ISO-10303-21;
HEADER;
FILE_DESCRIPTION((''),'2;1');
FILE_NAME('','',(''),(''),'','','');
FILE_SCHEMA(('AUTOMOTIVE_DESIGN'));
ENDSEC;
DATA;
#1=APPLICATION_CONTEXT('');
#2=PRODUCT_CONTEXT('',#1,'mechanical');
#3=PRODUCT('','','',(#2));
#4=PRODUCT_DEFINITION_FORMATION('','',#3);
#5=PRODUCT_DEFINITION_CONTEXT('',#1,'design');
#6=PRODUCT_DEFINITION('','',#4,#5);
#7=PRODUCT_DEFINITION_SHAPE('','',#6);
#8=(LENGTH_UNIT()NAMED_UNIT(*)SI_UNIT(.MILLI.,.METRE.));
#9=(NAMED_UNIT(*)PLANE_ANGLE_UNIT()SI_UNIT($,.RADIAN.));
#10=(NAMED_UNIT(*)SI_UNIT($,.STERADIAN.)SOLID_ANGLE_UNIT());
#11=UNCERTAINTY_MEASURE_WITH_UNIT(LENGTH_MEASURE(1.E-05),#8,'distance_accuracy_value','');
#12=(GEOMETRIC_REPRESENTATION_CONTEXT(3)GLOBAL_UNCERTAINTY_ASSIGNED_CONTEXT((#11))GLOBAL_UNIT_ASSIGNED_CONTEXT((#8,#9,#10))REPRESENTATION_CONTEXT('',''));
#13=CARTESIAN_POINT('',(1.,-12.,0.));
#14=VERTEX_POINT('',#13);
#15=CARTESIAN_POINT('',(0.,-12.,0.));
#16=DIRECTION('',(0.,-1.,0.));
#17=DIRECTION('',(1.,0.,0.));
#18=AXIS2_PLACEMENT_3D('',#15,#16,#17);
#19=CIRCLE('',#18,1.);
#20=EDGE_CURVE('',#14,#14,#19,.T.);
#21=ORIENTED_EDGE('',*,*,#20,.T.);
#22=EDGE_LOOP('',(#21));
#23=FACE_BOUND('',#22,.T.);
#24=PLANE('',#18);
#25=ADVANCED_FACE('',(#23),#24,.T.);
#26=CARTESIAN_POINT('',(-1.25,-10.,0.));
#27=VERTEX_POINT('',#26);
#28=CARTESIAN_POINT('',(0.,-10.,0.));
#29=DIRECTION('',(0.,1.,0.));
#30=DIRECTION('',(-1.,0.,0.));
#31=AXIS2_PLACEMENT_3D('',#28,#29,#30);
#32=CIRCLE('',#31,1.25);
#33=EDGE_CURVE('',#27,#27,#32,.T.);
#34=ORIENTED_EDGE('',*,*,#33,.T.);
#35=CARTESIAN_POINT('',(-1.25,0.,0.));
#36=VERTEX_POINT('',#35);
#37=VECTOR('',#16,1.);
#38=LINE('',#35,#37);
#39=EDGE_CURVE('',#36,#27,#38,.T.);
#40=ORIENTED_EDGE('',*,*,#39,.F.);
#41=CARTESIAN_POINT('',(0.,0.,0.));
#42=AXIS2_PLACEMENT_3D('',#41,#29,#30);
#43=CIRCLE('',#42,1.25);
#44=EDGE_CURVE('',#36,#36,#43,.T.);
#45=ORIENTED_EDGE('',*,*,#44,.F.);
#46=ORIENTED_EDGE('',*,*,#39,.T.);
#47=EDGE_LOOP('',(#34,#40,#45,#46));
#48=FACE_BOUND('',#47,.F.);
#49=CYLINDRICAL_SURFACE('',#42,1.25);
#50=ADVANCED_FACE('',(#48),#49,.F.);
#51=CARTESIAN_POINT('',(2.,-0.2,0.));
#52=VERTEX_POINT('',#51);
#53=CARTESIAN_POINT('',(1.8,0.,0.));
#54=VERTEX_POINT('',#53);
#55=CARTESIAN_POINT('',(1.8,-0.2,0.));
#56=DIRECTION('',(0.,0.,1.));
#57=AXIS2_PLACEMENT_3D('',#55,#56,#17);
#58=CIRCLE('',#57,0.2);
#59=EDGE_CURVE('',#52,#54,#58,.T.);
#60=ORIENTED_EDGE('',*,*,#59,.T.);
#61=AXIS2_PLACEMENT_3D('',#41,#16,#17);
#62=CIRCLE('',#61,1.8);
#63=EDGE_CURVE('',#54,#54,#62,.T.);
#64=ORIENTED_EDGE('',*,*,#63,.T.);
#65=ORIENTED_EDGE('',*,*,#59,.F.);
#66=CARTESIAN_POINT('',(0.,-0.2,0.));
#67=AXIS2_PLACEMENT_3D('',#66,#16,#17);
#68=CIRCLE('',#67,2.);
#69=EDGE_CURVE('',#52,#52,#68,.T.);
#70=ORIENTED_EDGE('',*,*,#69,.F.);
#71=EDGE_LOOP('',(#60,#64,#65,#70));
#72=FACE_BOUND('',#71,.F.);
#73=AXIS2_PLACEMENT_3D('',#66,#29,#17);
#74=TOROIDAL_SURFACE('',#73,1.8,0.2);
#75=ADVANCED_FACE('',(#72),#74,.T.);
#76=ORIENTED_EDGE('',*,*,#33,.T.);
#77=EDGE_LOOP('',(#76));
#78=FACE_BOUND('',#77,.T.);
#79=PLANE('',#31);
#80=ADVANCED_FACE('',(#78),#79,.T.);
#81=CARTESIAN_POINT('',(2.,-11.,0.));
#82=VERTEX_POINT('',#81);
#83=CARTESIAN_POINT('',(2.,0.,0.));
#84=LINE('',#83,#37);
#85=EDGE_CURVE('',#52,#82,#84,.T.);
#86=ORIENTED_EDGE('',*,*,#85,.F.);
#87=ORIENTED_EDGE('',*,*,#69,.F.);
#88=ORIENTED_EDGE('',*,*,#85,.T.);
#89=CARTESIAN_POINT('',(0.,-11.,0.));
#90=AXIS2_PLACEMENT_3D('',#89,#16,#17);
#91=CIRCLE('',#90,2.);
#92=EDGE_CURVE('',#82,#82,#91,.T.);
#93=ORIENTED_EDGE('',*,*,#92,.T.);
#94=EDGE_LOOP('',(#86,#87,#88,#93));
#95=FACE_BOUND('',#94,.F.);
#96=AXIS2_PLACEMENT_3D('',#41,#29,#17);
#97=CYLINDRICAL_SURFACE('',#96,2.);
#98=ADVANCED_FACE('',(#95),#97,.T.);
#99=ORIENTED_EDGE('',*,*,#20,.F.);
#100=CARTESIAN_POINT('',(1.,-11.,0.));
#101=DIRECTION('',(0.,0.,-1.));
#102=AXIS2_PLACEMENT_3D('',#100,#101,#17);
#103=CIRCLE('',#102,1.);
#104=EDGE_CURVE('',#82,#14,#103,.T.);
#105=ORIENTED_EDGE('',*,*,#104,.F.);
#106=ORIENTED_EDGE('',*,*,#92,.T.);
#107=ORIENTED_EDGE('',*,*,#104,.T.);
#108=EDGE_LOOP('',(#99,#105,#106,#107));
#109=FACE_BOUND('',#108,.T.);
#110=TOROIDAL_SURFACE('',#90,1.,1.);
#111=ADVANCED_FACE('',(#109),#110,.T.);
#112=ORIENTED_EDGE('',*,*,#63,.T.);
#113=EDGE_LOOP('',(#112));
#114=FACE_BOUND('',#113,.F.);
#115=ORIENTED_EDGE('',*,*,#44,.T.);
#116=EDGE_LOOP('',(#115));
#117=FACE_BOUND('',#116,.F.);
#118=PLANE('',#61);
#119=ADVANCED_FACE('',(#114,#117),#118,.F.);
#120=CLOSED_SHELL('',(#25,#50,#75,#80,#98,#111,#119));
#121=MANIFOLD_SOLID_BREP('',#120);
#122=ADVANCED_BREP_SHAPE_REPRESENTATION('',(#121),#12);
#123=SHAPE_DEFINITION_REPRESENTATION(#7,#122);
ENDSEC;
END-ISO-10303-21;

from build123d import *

# Parameters (mm, degrees)
F1_R     = 2
F2_DEPTH = 12
F3_R     = 1
F4_R     = 0.2
F5_R     = 1.25
F6_DEPTH = 10


with BuildPart() as f2:
    # F1 (on Front) → F2 (new body)
    with BuildSketch(Plane.XZ):
        Circle(F1_R)
    extrude(amount=F2_DEPTH)

    # F3
    f3_edges = [f2.edges().sort_by_distance(p)[0] for p in [
        (-2, -12, 0),
    ]]
    fillet(f3_edges, radius=F3_R)

    # F4
    f4_edges = [f2.edges().sort_by_distance(p)[0] for p in [
        (-2, 0, 0),
    ]]
    fillet(f4_edges, radius=F4_R)

    # F5 (on face) → F6 (cut)
    with BuildSketch(Plane(origin=(0, 0, 0), x_dir=(-1, 0, 0), z_dir=(0, 1, 0))):
        Circle(F5_R)
    extrude(amount=-F6_DEPTH, mode=Mode.SUBTRACT)


solid = f2.part
